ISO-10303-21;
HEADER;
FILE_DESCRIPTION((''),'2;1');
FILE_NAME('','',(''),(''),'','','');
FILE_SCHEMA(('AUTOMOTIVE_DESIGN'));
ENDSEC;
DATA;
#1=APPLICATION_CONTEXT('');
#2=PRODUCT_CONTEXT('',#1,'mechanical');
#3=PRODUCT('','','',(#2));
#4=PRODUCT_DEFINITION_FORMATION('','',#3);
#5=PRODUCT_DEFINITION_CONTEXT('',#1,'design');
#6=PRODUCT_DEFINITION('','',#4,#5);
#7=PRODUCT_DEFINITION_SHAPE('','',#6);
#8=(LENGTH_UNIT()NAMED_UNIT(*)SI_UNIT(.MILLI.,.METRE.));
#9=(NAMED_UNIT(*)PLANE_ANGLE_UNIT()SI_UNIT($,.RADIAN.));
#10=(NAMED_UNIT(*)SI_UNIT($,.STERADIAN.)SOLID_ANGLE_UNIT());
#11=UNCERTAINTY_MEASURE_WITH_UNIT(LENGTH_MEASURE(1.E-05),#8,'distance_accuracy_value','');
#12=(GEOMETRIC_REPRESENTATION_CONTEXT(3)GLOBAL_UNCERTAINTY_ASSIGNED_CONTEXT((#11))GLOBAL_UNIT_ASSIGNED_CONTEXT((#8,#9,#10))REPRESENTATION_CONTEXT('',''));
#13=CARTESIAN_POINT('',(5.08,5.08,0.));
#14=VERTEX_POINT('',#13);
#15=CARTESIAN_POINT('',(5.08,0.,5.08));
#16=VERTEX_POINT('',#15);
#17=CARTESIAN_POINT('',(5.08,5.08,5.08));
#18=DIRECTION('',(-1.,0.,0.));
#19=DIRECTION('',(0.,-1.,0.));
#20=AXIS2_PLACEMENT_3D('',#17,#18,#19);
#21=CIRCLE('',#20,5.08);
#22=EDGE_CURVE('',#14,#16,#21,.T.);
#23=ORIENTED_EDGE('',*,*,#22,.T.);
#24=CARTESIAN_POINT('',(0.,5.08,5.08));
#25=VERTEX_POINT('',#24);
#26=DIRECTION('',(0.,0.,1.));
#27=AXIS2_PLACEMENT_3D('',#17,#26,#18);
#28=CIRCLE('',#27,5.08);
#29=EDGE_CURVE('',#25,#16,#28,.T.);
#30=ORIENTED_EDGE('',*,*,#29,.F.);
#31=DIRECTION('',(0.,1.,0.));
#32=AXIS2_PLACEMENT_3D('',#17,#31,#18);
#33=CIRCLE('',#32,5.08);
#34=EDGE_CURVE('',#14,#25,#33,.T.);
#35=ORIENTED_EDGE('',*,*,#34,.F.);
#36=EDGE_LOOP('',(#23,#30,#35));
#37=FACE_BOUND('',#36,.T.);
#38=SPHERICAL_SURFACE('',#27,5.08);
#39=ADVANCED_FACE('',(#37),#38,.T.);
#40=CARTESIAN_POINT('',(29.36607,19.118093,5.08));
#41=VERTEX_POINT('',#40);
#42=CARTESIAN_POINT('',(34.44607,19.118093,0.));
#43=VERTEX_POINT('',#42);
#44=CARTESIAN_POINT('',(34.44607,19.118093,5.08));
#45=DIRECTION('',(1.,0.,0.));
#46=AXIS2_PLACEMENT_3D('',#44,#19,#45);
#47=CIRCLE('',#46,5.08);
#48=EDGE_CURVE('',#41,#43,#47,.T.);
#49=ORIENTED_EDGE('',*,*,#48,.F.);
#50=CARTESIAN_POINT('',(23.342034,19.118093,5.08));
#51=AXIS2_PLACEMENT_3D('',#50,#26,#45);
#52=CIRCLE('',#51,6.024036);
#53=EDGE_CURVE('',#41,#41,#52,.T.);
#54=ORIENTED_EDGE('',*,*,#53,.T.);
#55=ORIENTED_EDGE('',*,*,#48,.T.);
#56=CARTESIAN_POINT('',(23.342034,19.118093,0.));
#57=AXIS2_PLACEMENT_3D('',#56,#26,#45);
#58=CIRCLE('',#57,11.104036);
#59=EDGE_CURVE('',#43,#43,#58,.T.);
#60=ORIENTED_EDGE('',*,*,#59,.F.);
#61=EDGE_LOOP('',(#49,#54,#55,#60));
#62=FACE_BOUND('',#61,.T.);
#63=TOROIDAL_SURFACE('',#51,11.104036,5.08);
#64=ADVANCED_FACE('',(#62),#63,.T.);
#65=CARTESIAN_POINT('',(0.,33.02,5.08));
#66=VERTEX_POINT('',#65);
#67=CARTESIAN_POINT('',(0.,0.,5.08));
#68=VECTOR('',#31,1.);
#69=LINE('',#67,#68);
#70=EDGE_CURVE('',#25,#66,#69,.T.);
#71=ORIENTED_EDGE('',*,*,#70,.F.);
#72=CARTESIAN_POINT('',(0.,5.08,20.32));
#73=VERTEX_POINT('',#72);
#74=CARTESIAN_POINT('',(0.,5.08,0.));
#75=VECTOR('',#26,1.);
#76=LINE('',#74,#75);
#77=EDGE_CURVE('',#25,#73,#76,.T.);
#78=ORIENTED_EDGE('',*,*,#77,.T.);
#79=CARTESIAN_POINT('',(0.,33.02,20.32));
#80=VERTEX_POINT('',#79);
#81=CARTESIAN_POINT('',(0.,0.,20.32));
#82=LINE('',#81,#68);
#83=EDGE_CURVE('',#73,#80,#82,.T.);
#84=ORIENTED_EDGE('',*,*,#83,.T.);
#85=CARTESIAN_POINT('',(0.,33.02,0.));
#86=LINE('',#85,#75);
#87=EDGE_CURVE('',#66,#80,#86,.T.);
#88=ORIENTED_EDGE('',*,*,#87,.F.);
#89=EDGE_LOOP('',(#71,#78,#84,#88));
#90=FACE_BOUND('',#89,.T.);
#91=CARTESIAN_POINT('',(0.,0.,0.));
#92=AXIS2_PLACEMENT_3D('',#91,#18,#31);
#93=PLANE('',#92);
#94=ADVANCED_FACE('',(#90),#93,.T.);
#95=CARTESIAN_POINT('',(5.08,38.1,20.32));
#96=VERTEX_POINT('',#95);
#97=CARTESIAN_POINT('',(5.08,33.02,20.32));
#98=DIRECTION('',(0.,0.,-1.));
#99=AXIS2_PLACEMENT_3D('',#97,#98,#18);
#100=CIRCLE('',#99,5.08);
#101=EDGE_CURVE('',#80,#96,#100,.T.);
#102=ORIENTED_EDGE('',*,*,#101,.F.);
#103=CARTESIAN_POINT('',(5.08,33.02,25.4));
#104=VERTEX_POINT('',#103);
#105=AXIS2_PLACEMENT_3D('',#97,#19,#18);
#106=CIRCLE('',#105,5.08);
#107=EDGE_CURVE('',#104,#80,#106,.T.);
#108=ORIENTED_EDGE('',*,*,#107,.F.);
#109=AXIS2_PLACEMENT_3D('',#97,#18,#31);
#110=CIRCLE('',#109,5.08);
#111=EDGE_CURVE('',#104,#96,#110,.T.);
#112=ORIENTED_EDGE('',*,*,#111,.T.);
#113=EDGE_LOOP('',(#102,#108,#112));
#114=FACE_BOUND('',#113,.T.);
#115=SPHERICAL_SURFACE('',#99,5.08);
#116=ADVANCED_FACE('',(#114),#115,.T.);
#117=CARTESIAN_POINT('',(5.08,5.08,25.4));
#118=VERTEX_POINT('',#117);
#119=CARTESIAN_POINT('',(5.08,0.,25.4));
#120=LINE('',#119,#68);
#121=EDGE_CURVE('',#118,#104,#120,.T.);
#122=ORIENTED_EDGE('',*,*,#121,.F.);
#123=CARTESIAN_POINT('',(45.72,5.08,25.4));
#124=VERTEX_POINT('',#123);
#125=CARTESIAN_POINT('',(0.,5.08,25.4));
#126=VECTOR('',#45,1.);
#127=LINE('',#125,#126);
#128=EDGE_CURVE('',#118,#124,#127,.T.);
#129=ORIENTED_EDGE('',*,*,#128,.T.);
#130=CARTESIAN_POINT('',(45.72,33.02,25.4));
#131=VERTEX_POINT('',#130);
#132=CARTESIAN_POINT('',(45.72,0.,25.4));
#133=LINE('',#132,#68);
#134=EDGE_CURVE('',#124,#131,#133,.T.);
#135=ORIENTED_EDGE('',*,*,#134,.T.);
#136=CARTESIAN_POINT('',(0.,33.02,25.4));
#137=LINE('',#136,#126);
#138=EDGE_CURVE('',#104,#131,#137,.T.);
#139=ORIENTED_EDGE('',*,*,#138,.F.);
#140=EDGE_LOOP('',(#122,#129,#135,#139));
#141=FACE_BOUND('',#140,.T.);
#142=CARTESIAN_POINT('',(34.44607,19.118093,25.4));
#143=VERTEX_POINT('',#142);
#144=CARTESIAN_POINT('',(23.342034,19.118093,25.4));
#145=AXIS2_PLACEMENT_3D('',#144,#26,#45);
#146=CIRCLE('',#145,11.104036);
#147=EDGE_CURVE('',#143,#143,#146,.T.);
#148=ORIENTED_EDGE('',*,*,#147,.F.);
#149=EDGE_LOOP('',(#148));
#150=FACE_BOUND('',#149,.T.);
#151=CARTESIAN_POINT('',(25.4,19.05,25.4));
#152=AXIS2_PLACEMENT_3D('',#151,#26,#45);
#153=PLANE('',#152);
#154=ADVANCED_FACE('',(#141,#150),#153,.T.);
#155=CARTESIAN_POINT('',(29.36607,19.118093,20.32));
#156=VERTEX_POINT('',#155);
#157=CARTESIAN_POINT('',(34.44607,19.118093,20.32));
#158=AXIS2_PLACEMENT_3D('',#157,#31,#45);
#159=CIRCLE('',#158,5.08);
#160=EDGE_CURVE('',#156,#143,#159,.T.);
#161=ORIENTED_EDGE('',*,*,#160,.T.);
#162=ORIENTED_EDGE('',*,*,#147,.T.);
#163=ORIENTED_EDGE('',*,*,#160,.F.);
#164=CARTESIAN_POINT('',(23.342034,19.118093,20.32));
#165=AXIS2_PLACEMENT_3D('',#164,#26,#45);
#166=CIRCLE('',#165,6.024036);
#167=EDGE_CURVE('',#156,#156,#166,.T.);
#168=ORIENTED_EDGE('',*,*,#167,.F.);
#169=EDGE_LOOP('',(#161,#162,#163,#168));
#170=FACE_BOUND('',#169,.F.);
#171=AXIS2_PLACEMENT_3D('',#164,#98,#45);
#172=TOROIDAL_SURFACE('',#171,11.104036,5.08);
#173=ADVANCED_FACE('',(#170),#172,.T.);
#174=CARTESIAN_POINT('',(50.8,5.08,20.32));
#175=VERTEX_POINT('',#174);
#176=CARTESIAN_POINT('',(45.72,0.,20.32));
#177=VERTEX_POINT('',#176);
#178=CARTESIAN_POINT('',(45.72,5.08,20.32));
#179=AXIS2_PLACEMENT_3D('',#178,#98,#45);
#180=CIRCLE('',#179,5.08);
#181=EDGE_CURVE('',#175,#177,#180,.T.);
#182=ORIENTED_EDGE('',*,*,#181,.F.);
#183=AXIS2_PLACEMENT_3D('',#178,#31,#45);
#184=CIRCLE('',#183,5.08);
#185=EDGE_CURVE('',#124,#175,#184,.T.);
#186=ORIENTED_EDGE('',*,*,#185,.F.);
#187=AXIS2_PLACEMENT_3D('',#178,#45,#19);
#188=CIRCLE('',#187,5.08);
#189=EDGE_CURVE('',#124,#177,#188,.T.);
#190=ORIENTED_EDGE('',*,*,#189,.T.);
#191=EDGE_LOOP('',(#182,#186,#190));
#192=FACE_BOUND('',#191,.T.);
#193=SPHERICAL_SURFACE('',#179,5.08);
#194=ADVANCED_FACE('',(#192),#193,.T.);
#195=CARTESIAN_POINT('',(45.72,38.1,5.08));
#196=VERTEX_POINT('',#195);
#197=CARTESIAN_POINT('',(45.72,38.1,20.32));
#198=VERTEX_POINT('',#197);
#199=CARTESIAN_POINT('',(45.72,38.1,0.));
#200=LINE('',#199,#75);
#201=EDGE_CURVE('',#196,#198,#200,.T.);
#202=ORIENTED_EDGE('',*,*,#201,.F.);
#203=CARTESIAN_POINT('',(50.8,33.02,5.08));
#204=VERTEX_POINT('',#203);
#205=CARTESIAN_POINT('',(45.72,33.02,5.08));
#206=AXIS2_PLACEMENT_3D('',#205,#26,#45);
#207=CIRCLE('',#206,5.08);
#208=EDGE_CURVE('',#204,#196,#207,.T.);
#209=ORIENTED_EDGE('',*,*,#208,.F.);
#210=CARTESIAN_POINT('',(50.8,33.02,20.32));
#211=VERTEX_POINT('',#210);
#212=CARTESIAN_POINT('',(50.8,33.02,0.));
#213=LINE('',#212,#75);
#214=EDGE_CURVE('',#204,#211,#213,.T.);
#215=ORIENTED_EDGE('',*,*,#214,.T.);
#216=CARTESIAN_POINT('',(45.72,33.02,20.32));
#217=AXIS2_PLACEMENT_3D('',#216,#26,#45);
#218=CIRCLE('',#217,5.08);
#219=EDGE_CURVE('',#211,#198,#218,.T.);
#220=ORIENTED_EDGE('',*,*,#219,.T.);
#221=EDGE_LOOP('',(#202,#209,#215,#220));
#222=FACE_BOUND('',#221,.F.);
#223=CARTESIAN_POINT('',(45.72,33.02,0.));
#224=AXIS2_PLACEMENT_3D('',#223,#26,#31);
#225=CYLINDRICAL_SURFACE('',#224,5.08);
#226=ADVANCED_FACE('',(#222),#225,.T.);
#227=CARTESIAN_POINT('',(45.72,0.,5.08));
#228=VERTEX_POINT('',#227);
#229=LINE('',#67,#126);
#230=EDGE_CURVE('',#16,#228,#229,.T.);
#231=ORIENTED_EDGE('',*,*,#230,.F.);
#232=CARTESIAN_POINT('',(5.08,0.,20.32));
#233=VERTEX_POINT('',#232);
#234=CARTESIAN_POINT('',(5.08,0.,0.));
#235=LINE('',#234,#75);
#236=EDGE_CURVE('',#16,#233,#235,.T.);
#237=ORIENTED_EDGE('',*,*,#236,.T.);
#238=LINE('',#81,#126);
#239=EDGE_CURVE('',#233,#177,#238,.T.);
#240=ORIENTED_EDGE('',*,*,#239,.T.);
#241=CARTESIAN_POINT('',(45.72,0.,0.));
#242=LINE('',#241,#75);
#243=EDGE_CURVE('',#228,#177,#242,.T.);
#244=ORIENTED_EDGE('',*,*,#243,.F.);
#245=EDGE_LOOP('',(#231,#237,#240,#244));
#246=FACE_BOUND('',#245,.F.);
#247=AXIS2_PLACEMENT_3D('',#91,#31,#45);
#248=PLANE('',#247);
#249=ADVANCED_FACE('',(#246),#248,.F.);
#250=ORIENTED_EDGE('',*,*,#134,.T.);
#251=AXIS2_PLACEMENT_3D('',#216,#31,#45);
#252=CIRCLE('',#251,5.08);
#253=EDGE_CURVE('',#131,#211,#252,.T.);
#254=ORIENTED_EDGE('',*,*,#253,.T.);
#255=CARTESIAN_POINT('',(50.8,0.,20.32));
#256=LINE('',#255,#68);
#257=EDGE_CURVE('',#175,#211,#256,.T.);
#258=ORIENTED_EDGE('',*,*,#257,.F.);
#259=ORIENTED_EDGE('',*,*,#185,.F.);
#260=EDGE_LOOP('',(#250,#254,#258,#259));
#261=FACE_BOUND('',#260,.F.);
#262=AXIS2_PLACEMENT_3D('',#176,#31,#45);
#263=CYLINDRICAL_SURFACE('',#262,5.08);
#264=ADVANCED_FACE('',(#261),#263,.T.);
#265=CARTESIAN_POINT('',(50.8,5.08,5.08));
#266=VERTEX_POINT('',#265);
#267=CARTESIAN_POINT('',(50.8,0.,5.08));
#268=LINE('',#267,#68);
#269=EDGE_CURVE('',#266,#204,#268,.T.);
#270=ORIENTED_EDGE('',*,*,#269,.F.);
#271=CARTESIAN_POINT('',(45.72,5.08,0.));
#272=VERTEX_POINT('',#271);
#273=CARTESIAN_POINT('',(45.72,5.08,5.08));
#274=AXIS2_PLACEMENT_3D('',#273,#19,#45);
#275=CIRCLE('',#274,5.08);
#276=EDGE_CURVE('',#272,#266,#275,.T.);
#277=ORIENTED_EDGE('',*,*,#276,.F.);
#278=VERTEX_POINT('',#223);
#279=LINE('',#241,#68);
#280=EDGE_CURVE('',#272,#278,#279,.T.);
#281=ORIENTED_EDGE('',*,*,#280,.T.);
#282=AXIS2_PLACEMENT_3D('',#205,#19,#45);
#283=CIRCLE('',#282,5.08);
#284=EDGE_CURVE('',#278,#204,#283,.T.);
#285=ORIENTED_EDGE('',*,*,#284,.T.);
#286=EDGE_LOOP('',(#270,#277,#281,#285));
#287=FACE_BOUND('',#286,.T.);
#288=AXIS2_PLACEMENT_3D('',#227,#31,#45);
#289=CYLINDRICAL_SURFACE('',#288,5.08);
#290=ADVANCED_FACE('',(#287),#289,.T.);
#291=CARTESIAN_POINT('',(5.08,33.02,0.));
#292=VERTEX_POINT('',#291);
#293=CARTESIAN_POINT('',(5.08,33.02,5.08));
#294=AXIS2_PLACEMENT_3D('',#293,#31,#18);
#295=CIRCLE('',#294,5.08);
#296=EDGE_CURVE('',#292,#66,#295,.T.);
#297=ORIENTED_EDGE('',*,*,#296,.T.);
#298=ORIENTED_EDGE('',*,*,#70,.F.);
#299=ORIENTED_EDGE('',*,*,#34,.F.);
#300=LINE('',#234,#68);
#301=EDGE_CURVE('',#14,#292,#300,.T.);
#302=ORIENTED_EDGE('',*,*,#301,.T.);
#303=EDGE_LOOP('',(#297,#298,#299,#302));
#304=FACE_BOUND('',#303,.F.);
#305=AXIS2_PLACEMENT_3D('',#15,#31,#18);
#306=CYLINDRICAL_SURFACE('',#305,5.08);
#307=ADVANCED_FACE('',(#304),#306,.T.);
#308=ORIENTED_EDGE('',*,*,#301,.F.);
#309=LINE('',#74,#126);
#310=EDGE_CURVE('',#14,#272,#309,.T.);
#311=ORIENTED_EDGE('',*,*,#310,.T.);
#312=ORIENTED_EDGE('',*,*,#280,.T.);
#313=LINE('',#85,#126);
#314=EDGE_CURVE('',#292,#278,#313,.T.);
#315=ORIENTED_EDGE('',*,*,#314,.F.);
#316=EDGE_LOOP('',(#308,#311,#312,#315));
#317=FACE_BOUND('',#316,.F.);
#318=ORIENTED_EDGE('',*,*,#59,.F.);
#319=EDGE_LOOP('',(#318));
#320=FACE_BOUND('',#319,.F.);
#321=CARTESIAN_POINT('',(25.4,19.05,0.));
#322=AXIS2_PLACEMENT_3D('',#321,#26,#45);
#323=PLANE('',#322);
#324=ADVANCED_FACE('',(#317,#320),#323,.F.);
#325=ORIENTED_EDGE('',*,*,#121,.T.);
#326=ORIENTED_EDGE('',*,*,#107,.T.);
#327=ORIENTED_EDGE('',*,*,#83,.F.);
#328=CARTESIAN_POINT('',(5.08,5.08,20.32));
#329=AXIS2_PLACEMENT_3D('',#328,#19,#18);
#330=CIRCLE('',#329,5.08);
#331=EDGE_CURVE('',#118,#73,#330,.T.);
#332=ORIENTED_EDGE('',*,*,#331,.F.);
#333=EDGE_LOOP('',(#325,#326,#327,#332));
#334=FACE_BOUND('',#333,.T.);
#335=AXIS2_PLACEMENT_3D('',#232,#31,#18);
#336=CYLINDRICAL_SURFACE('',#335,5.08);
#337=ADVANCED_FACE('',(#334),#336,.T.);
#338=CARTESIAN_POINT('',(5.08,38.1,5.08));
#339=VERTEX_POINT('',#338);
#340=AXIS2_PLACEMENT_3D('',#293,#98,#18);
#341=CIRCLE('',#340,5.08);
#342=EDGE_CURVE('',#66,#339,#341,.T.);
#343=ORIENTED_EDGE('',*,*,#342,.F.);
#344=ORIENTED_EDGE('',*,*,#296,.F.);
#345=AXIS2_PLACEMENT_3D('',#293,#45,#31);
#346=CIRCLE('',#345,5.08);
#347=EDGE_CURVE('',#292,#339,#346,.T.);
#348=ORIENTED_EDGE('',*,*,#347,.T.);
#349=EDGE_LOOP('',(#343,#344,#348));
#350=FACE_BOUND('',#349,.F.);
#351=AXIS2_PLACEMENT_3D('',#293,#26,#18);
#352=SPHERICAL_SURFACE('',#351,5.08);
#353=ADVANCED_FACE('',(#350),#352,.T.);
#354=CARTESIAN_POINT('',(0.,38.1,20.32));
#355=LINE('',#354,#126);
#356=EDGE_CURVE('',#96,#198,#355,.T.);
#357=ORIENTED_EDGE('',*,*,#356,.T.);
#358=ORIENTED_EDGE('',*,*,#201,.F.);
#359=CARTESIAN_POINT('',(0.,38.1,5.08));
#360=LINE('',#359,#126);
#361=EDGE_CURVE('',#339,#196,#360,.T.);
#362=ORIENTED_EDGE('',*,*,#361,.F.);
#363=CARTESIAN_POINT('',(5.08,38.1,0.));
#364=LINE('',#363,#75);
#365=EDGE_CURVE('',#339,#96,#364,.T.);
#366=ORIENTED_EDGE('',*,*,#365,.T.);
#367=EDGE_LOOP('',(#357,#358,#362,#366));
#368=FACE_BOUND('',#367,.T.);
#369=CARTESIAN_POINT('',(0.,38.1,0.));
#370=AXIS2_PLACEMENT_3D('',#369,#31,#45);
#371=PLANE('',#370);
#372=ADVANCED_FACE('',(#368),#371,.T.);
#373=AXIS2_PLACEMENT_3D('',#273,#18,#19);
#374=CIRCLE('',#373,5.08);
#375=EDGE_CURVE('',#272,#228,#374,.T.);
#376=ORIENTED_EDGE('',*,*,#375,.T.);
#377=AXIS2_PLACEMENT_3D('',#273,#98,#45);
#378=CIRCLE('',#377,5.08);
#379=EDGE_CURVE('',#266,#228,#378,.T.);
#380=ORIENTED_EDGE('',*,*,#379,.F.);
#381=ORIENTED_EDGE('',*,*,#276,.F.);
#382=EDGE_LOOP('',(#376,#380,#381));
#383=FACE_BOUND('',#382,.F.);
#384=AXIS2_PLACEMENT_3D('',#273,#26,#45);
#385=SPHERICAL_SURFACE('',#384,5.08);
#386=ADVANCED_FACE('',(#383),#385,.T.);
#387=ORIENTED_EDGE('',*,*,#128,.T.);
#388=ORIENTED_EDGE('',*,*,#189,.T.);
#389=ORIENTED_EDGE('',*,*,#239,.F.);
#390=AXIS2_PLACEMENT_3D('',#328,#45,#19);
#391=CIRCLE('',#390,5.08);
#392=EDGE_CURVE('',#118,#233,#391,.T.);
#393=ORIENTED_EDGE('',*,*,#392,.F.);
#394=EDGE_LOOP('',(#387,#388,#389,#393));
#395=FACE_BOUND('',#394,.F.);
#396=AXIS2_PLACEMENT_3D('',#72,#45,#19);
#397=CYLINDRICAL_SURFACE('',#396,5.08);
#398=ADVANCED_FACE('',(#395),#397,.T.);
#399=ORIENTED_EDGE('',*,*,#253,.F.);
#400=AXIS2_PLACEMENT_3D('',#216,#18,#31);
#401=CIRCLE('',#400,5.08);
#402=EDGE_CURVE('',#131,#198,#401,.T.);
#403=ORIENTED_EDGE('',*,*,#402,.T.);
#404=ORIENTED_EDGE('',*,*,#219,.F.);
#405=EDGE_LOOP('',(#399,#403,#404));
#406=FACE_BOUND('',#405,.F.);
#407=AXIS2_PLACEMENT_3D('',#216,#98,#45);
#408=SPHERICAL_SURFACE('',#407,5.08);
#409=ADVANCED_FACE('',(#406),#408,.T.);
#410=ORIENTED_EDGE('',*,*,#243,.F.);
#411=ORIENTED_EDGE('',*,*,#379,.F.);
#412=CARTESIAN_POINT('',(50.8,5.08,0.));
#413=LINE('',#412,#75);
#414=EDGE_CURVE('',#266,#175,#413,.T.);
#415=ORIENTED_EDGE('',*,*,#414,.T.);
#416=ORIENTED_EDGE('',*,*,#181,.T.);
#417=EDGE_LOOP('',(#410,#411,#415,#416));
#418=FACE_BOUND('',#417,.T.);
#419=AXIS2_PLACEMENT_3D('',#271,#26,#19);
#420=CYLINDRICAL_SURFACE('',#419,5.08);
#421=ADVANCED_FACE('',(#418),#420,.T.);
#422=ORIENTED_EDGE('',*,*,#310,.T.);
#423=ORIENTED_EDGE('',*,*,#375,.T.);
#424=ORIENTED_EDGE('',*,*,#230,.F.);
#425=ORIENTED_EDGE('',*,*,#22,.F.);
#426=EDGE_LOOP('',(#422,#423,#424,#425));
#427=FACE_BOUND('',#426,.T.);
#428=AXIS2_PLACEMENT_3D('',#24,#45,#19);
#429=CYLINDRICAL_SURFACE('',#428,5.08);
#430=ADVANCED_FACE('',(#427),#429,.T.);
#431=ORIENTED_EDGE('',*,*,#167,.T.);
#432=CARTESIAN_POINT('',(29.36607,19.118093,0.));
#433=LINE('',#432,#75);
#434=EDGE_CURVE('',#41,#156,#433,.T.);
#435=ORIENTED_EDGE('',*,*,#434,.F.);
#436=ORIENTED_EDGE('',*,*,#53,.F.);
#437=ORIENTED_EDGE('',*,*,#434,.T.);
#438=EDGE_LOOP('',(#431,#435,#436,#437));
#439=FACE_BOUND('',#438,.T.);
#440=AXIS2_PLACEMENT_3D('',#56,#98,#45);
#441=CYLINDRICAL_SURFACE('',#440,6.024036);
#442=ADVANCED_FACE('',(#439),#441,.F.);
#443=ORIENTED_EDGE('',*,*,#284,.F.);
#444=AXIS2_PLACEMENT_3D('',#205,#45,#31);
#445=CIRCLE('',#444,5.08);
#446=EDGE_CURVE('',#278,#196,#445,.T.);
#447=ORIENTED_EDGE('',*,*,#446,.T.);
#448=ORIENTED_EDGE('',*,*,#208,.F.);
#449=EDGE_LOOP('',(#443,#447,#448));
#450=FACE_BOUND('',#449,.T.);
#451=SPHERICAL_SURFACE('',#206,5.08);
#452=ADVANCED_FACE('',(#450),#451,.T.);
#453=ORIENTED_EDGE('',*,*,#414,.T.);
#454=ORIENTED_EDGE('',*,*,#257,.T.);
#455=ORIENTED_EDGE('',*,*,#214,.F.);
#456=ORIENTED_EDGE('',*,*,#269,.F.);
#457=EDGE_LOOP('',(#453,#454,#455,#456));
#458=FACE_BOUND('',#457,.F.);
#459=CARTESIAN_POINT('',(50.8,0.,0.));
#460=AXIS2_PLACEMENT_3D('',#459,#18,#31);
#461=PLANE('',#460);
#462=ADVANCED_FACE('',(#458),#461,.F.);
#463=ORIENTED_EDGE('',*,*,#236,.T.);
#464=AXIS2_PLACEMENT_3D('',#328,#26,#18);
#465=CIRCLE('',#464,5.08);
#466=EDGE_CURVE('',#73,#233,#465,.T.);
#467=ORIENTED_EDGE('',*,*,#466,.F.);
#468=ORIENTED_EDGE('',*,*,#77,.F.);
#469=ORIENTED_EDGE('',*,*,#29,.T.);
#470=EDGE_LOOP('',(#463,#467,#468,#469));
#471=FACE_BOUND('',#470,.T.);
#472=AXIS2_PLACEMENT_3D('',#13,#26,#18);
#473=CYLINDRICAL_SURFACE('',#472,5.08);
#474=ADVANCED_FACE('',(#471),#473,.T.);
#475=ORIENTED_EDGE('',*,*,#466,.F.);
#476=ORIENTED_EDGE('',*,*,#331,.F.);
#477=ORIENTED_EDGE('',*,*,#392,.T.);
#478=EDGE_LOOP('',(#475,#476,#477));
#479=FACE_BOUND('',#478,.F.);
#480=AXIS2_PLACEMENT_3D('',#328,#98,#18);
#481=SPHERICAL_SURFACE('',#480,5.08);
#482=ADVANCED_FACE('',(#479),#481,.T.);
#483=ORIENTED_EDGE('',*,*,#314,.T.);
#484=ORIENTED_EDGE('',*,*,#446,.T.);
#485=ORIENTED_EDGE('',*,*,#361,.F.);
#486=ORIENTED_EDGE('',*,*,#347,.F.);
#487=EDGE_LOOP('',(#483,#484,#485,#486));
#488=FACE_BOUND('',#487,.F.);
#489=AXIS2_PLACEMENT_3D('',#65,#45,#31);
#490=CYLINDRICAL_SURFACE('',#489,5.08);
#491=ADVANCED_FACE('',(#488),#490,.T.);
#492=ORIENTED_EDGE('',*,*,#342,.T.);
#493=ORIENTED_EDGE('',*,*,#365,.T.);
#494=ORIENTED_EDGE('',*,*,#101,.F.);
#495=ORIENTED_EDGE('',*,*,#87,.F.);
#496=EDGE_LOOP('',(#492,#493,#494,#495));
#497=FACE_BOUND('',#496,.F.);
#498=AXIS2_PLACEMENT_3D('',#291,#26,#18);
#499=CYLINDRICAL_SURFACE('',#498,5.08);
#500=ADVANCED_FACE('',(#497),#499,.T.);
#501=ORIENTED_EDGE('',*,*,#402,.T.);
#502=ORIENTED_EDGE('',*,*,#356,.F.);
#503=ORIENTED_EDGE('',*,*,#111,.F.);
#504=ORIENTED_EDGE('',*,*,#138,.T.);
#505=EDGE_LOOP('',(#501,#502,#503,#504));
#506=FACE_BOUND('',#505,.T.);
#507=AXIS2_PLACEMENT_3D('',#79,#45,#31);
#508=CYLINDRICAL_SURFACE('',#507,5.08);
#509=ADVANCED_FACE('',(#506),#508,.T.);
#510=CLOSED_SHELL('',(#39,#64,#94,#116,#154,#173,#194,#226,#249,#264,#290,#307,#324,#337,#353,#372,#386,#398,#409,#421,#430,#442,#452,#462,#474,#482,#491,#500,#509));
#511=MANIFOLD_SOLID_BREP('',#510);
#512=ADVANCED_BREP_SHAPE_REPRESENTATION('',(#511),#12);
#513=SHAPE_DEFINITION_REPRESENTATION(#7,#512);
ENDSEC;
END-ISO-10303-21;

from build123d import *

# Parameters (mm, degrees)
F0_W     = 50.8
F0_H     = 38.1
F0_R     = 6.024036
F1_DEPTH = 25.4
F2_R     = 5.08


with BuildPart() as f1:
    # F0 (on Top) → F1 (new body)
    with BuildSketch(Plane.XY):
        with Locations((25.4, 19.05)):
            Rectangle(F0_W, F0_H)
        with Locations((23.342034, 19.118093)):
            Circle(F0_R, mode=Mode.SUBTRACT)
    extrude(amount=F1_DEPTH)

    # F2
    f2_edges = [f1.edges().sort_by_distance(p)[0] for p in [
        (50.8, 0, 12.7),
        (50.8, 38.1, 12.7),
        (50.8, 19.05, 0),
        (50.8, 19.05, 25.4),
        (0, 38.1, 12.7),
        (0, 0, 12.7),
        (0, 19.05, 0),
        (0, 19.05, 25.4),
        (25.4, 0, 25.4),
        (25.4, 38.1, 25.4),
        (17.317997, 19.118093, 25.4),
        (25.4, 0, 0),
        (25.4, 38.1, 0),
        (17.317997, 19.118093, 0),
    ]]
    fillet(f2_edges, radius=F2_R)


solid = f1.part
